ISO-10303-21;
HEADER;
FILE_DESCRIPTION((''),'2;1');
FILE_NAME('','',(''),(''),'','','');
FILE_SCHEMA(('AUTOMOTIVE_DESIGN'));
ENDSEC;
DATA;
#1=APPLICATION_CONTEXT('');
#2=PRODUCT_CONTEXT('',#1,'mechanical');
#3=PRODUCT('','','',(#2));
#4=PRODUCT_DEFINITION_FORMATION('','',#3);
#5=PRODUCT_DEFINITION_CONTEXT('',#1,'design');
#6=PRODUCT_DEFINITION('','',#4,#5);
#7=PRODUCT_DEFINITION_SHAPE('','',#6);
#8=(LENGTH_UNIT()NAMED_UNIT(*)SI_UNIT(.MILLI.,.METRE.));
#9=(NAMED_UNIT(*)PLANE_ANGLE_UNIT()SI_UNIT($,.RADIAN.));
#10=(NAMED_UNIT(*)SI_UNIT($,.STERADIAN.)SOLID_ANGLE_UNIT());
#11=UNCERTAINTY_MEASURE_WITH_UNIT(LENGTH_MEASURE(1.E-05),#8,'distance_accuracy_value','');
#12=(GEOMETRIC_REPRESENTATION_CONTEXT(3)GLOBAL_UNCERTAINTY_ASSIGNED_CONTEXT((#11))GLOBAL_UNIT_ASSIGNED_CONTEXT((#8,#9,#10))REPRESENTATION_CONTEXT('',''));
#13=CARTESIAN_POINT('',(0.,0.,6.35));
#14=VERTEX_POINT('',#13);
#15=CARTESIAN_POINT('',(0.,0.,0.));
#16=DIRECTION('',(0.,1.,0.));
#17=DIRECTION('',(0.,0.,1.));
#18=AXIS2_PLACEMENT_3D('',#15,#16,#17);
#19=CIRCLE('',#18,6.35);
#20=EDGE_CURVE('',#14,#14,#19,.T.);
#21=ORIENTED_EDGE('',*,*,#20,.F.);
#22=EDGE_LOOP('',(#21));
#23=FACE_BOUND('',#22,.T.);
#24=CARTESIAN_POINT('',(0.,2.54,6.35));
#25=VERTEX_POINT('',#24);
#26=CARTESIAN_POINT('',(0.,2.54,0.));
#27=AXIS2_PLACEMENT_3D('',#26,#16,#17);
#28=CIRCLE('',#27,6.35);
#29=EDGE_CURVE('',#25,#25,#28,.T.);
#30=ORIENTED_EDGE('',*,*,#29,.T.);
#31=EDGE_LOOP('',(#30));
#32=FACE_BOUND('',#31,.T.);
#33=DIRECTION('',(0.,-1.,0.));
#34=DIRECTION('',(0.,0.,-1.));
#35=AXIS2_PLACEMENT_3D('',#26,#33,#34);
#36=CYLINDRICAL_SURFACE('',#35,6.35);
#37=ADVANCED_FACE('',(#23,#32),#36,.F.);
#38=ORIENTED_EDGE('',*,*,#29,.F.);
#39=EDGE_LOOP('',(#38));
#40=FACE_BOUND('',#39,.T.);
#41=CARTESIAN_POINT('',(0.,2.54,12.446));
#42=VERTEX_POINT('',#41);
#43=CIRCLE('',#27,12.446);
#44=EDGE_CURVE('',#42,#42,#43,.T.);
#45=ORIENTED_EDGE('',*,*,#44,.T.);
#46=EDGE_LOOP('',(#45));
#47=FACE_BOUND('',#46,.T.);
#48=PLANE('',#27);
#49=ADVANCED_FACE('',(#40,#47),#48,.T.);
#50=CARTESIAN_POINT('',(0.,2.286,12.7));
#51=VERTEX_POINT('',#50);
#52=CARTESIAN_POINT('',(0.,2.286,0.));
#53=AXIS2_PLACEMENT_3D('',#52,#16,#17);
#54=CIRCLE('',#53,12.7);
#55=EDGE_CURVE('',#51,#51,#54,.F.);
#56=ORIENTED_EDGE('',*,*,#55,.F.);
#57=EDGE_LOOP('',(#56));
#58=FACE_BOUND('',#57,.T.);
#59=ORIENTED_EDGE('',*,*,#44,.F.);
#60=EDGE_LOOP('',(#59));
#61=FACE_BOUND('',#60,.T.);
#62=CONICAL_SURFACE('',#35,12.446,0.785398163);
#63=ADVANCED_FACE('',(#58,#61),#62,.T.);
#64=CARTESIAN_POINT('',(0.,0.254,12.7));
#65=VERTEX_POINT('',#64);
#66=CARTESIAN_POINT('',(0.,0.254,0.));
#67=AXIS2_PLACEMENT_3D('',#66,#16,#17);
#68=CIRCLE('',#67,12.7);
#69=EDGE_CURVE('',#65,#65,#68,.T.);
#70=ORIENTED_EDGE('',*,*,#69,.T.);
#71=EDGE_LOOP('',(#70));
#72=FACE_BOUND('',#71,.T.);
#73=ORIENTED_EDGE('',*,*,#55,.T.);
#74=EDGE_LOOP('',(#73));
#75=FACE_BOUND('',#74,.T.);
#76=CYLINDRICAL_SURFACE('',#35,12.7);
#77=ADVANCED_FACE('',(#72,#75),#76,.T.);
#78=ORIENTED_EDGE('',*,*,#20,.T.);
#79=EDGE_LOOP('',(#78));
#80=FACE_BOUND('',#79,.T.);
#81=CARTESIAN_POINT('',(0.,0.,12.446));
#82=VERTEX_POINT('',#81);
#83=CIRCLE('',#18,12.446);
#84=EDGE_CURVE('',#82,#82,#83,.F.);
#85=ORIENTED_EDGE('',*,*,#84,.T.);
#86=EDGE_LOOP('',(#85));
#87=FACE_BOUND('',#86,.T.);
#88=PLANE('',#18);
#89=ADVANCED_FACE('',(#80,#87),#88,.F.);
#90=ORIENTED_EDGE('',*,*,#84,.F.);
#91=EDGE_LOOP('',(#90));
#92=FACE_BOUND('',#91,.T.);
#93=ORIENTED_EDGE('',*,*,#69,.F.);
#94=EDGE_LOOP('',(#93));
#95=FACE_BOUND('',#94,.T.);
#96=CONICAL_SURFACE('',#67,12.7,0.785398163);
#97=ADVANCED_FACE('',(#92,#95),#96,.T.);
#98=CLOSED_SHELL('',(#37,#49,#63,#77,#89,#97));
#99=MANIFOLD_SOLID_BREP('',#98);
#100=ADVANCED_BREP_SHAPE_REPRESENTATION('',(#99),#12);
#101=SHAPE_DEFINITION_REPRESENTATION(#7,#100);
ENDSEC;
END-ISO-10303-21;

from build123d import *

# Parameters (mm, degrees)
SKETCH1_R           = 12.7
SKETCH1_R_2         = 6.35
BOSS_EXTRUDE1_DEPTH = 2.54
CHAMFER1_SIZE       = 0.254


with BuildPart() as part:
    # Sketch1 → Boss-Extrude1 (new body)
    with BuildSketch(Plane(origin=(0, 0, 0), x_dir=(1, 0, 0), z_dir=(0, 1, 0))):
        Circle(SKETCH1_R)
        Circle(SKETCH1_R_2, mode=Mode.SUBTRACT)
    extrude(amount=BOSS_EXTRUDE1_DEPTH)

    # Chamfer1
    chamfer1_edges = [part.edges().sort_by_distance(p)[0] for p in [
        (-12.7, 0, 0),
        (-12.7, 2.54, 0),
    ]]
    chamfer(chamfer1_edges, length=CHAMFER1_SIZE)


solid = part.part
